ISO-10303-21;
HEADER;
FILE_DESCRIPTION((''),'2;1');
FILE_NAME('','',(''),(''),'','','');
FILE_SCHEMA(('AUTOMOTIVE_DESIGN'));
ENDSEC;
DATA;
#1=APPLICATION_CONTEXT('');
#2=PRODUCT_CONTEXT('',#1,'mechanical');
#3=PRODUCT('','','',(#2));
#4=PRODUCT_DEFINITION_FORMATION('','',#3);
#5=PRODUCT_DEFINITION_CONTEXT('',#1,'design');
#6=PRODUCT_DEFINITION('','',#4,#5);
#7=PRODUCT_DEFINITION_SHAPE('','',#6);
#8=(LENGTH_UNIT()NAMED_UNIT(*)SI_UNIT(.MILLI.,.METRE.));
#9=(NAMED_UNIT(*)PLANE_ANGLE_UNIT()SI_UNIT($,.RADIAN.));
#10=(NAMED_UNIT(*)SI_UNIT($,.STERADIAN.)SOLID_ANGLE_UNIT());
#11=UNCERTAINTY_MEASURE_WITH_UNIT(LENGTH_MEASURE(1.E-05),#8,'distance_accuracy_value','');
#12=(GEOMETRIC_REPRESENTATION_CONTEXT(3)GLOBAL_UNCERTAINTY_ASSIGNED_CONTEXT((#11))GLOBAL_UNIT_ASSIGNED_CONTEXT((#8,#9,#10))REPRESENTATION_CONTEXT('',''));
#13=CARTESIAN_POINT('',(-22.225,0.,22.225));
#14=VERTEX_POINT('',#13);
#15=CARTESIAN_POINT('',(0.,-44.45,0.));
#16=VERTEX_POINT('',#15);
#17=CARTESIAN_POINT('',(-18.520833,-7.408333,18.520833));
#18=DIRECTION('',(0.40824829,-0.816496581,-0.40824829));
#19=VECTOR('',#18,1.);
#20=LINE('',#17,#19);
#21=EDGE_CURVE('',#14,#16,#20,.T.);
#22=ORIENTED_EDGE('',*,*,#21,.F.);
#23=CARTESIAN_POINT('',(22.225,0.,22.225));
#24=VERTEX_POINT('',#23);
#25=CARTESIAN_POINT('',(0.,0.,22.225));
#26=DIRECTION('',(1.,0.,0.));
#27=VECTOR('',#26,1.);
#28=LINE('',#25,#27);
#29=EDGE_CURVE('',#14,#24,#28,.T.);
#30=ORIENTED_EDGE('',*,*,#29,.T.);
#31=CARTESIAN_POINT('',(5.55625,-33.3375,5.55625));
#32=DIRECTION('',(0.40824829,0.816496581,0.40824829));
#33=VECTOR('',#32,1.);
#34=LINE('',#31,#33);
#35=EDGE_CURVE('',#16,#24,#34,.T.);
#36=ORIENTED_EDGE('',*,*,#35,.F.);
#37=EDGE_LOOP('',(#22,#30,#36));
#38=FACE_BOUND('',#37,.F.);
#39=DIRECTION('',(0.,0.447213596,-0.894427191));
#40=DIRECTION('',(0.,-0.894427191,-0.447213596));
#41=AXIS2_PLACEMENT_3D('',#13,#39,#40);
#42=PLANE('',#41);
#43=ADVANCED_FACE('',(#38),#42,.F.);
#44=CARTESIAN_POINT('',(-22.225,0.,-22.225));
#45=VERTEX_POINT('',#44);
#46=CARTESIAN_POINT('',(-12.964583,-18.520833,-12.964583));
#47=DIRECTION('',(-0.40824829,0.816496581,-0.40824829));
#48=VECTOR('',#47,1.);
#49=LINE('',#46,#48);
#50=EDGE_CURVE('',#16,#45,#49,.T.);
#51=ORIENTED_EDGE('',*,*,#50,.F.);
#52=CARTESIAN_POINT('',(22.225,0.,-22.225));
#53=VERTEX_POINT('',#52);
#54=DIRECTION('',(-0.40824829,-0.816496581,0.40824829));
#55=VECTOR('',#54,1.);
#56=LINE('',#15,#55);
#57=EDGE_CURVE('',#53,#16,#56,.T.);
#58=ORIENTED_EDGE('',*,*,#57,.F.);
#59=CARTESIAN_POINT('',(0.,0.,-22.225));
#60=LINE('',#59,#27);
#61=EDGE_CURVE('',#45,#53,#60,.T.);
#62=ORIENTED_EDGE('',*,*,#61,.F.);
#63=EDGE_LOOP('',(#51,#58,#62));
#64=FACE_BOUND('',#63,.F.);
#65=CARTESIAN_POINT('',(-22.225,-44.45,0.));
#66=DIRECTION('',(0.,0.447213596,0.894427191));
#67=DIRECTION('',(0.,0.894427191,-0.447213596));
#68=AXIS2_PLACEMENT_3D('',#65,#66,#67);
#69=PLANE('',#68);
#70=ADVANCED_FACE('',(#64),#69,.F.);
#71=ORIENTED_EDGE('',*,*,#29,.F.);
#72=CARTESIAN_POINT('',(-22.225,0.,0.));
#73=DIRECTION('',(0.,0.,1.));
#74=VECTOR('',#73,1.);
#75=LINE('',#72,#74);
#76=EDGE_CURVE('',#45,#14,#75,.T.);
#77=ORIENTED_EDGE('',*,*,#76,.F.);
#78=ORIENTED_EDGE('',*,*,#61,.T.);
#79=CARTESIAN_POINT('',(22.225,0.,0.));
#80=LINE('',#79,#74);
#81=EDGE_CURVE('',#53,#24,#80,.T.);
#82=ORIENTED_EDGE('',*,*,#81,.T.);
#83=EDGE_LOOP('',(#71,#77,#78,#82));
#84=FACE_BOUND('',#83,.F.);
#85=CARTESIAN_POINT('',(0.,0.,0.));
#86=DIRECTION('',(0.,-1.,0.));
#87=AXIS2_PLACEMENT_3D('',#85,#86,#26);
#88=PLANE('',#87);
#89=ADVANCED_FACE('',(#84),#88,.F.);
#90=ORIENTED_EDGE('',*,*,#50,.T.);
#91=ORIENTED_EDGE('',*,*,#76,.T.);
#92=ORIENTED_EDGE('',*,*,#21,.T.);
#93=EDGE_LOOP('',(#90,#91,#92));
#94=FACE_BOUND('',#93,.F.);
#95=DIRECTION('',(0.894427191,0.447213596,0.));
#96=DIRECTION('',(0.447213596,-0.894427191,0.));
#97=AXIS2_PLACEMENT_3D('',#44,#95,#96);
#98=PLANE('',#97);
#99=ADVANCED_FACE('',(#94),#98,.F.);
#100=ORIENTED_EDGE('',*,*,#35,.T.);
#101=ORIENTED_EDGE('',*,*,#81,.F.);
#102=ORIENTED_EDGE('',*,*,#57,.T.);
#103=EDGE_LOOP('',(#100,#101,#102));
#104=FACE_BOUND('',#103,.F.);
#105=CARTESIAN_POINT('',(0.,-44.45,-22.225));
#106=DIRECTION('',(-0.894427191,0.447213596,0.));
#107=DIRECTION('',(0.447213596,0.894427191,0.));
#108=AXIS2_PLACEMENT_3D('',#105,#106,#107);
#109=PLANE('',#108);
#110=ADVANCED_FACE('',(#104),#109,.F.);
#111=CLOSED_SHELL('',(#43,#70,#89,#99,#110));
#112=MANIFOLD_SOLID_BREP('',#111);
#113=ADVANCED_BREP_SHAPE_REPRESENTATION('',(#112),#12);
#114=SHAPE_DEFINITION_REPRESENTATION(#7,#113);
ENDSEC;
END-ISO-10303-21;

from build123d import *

# Parameters (mm, degrees)
F0_W     = 44.45
F0_H     = 44.45
F1_DEPTH = 44.45
F4_DEPTH = 44.451
F5_DEPTH = 44.451


with BuildPart() as f1:
    # F0 (on Front) → F1 (new body)
    with BuildSketch(Plane.XZ):
        Rectangle(F0_W, F0_H)
    extrude(amount=F1_DEPTH)

    # F2 (on face) → F4 (cut, through all)
    with BuildSketch(Plane(origin=(-22.225, 0, 0), x_dir=(0, -1, 0), z_dir=(-1, 0, 0))):
        Polygon((44.45, 22.225), (0, 22.225), (44.45, 0), align=None)
        Polygon((44.45, -22.225), (44.45, 0), (0, -22.225), align=None)
    extrude(amount=-F4_DEPTH, mode=Mode.SUBTRACT)

    # F3 (on face) → F5 (cut, through all)
    with BuildSketch(Plane(origin=(0, 0, -22.225), x_dir=(1, 0, 0), z_dir=(0, 0, -1))):
        Polygon((22.225, 44.45), (0, 44.45), (22.225, 0), align=None)
        Polygon((-22.225, 44.45), (-22.225, 0), (0, 44.45), align=None)
    extrude(amount=-F5_DEPTH, mode=Mode.SUBTRACT)


solid = f1.part
